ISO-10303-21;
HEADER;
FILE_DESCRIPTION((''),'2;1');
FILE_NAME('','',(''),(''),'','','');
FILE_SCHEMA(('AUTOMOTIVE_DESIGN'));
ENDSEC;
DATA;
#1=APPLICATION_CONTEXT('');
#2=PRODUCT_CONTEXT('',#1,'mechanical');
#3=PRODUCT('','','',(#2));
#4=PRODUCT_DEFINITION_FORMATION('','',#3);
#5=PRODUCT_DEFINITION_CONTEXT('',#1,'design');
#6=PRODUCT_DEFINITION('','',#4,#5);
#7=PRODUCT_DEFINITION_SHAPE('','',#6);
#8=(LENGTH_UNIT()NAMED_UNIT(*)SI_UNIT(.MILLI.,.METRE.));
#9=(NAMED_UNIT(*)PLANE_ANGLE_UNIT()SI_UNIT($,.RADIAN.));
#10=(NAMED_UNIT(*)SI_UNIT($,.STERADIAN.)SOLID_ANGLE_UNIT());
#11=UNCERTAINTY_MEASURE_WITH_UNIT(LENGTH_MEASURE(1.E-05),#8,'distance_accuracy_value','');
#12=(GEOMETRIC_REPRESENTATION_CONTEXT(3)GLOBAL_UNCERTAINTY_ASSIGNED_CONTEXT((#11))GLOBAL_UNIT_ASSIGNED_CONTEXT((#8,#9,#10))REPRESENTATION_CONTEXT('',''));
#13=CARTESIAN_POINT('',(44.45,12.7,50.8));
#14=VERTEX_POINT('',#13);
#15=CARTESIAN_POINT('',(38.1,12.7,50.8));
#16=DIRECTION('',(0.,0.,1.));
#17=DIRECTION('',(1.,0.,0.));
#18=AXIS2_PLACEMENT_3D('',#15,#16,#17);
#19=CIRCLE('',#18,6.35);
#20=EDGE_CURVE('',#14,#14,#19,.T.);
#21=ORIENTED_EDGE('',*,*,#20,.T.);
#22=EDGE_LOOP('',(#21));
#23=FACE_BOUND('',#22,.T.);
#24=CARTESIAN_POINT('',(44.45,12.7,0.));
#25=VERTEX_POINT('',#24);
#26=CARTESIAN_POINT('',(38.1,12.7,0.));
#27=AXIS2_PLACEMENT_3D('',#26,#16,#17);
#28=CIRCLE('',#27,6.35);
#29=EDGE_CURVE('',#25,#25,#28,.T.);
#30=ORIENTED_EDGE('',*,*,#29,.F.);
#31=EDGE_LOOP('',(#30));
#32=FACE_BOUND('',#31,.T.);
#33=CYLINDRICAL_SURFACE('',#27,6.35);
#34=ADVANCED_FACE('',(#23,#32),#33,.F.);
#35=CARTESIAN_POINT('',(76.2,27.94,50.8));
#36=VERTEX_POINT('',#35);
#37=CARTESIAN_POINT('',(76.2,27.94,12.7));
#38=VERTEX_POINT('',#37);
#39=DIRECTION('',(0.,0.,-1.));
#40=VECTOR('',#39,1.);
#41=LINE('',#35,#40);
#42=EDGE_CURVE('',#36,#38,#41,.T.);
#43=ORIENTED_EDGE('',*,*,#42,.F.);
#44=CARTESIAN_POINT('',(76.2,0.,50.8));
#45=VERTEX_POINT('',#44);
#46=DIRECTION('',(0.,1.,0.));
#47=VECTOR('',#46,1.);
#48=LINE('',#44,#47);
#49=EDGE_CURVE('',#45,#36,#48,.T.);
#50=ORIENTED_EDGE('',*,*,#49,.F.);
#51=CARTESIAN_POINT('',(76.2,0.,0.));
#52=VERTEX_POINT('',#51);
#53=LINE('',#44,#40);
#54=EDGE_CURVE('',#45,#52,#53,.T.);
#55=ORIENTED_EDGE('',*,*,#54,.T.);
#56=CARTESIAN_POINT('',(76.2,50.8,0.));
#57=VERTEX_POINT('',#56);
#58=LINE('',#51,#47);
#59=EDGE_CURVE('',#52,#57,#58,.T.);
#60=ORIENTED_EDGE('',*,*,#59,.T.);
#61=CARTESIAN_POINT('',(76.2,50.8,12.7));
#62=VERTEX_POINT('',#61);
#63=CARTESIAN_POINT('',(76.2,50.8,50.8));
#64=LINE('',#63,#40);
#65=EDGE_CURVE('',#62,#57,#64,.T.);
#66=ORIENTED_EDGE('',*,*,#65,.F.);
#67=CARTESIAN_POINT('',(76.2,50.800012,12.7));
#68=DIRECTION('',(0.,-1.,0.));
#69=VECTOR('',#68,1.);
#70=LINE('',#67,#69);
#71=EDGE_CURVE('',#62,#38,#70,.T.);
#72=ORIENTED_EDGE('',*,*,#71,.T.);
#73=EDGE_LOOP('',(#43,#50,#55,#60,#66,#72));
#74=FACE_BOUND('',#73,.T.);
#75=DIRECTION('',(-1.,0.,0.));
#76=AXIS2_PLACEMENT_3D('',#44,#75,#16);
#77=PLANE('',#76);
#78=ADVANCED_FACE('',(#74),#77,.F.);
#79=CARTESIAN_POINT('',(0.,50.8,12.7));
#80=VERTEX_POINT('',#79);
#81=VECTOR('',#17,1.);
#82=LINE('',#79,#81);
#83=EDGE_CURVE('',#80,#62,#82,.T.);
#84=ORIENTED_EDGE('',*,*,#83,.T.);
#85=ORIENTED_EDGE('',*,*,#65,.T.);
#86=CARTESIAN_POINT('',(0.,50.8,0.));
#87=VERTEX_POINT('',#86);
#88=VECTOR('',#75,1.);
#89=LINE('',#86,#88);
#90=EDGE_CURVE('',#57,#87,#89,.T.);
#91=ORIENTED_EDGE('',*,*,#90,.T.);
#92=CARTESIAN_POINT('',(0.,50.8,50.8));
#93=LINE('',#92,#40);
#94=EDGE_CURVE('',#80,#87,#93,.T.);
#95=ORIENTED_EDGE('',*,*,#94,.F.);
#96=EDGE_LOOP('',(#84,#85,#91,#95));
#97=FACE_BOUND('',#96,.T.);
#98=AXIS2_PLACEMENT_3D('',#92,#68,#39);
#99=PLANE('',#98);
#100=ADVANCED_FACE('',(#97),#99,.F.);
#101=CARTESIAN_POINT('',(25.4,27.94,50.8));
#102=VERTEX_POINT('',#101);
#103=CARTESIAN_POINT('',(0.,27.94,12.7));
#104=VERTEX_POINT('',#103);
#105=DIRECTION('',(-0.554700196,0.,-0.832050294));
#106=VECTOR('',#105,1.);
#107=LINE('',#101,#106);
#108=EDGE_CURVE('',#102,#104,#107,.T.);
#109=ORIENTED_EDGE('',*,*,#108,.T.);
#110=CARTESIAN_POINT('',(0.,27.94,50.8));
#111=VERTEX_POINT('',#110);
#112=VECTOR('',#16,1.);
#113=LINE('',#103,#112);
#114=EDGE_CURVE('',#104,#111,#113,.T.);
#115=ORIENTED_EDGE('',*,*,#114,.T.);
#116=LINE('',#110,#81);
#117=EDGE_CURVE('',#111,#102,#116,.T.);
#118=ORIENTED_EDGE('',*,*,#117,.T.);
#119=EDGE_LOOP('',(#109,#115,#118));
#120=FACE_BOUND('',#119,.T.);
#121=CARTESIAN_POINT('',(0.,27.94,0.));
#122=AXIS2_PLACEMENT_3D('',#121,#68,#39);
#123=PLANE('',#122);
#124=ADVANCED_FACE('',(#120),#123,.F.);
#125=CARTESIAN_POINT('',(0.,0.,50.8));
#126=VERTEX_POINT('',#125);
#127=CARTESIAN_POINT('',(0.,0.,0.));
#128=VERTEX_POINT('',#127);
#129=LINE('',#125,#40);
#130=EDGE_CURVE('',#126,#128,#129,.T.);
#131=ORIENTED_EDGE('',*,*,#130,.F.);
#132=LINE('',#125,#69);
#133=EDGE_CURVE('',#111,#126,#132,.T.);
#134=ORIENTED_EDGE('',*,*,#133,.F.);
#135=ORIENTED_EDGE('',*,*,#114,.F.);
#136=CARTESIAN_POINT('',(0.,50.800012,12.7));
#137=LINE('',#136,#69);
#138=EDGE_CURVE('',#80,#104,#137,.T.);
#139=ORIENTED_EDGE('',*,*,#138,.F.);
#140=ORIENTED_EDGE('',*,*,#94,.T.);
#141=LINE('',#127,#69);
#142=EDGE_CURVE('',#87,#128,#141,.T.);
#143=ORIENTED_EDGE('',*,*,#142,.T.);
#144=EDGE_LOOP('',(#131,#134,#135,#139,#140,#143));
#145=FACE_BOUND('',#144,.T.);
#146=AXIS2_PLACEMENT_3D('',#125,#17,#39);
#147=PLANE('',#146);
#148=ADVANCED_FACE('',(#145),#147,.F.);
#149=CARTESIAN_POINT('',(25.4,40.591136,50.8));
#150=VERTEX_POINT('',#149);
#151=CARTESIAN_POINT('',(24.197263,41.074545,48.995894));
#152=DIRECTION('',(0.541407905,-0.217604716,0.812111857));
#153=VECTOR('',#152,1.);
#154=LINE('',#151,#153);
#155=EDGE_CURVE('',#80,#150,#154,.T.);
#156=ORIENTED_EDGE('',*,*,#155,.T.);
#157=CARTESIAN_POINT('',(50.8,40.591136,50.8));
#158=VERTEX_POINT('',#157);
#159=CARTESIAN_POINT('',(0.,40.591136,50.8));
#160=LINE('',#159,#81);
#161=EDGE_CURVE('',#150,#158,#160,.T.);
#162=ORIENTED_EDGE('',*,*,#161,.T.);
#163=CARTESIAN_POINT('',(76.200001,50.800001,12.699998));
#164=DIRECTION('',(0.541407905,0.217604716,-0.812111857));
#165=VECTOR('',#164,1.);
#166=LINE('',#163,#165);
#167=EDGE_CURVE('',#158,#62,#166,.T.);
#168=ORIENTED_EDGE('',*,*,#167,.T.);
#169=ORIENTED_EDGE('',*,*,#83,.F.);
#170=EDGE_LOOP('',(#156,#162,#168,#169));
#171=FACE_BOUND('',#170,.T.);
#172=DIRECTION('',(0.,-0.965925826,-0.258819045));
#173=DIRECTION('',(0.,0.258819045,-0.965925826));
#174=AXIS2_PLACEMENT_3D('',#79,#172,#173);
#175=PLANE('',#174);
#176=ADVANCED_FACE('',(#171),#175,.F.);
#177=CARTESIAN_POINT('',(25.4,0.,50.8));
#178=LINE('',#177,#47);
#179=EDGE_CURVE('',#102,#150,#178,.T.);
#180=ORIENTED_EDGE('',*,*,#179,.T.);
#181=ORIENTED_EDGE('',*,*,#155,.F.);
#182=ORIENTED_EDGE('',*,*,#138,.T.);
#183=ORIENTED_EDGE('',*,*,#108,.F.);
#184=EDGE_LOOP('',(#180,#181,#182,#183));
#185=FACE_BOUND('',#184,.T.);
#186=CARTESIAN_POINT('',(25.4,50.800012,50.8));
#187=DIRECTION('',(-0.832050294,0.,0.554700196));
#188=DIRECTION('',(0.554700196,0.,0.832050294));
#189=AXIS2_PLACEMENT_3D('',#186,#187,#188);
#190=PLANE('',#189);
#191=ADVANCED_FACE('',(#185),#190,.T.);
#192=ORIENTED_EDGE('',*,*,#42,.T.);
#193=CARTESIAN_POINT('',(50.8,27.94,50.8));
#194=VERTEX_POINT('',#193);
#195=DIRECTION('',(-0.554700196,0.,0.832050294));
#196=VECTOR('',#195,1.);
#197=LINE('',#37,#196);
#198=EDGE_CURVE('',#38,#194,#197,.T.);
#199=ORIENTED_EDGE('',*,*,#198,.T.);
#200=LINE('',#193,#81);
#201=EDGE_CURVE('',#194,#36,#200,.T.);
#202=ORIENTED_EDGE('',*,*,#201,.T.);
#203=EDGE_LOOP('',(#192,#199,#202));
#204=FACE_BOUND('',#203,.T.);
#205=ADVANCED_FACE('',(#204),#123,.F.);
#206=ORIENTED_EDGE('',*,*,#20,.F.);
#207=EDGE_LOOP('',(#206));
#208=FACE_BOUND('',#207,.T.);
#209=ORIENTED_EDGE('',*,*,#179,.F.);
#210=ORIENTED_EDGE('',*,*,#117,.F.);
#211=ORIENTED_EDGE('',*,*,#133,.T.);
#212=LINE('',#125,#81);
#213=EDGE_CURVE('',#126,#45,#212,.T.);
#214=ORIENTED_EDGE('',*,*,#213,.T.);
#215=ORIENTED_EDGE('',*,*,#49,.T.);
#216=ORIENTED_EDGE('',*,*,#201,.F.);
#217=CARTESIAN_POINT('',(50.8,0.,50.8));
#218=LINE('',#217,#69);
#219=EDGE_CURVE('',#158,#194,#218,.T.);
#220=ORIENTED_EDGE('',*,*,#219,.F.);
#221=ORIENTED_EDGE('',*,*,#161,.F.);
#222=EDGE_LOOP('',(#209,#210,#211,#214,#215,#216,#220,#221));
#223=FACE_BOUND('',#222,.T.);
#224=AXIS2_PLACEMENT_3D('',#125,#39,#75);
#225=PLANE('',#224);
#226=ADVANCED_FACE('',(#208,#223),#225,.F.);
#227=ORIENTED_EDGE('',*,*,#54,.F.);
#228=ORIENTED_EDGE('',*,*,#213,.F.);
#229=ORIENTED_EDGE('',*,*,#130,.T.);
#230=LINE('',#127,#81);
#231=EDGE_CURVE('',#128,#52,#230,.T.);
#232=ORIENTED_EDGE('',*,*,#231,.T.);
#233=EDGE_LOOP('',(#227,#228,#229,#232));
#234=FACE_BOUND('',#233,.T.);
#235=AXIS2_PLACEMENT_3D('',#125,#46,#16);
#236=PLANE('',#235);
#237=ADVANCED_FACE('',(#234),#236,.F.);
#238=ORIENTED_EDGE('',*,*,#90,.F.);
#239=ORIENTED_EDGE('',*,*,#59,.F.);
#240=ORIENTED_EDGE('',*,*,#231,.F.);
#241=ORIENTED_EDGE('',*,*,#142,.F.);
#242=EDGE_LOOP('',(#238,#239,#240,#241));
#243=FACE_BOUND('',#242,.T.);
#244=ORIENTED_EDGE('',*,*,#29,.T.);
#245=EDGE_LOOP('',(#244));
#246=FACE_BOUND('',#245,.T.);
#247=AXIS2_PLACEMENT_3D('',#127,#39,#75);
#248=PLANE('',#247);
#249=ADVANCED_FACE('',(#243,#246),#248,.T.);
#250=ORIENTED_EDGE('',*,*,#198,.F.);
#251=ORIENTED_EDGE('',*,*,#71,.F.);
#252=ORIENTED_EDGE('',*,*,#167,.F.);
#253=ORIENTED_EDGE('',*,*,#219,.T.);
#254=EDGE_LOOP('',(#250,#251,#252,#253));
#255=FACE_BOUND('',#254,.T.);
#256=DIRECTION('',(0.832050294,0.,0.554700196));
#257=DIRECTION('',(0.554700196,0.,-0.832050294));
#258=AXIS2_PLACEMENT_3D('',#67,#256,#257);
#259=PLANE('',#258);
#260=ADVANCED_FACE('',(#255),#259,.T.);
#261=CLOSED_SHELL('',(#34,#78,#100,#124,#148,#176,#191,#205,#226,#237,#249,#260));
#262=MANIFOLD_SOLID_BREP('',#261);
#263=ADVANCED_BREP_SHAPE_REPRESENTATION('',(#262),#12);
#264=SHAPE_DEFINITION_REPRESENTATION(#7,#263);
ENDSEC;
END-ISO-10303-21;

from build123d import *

# Parameters (mm, degrees)
SKETCH1_W               = 76.2
SKETCH1_H               = 50.8
BOSS_EXTRUDE1_DEPTH     = 50.8
CUT_EXTRUDE1_DEPTH      = 1
CUT_EXTRUDE1_DEPTH_BACK = 22.86
CUT_EXTRUDE2_DEPTH      = 77.2
SKETCH6_R               = 6.35
CUT_EXTRUDE3_DEPTH      = 51.8


with BuildPart() as part:
    # Sketch1 → Boss-Extrude1 (new body)
    with BuildSketch(Plane.XY):
        with Locations((38.1, 25.4)):
            Rectangle(SKETCH1_W, SKETCH1_H)
    extrude(amount=BOSS_EXTRUDE1_DEPTH)

    # Sketch2 → Cut-Extrude1 (cut, two sides)
    with BuildSketch(Plane(origin=(0, 50.8, 0), x_dir=(1, 0, 0), z_dir=(0, 1, 0))) as cut_extrude1_sk:
        Polygon((76.2, -12.7), (50.8, -50.8), (76.2, -50.8), align=None)
        Polygon((0, -12.7), (0, -50.8), (25.4, -50.8), align=None)
    extrude(amount=CUT_EXTRUDE1_DEPTH, mode=Mode.SUBTRACT)
    extrude(cut_extrude1_sk.sketch, amount=-CUT_EXTRUDE1_DEPTH_BACK, mode=Mode.SUBTRACT)

    # Sketch3 → Cut-Extrude2 (cut, through all)
    with BuildSketch(Plane(origin=(76.2, 0, 0), x_dir=(0, 0, -1), z_dir=(1, 0, 0))):
        Polygon((-12.7, 50.8), (-50.8, 40.591135768), (-50.8, 50.8), align=None)
    extrude(amount=-CUT_EXTRUDE2_DEPTH, mode=Mode.SUBTRACT)

    # Sketch6 → Cut-Extrude3 (cut, through all)
    with BuildSketch(Plane.XY.offset(50.8)):
        with Locations((38.1, 12.7)):
            Circle(SKETCH6_R)
    extrude(amount=-CUT_EXTRUDE3_DEPTH, mode=Mode.SUBTRACT)


solid = part.part
